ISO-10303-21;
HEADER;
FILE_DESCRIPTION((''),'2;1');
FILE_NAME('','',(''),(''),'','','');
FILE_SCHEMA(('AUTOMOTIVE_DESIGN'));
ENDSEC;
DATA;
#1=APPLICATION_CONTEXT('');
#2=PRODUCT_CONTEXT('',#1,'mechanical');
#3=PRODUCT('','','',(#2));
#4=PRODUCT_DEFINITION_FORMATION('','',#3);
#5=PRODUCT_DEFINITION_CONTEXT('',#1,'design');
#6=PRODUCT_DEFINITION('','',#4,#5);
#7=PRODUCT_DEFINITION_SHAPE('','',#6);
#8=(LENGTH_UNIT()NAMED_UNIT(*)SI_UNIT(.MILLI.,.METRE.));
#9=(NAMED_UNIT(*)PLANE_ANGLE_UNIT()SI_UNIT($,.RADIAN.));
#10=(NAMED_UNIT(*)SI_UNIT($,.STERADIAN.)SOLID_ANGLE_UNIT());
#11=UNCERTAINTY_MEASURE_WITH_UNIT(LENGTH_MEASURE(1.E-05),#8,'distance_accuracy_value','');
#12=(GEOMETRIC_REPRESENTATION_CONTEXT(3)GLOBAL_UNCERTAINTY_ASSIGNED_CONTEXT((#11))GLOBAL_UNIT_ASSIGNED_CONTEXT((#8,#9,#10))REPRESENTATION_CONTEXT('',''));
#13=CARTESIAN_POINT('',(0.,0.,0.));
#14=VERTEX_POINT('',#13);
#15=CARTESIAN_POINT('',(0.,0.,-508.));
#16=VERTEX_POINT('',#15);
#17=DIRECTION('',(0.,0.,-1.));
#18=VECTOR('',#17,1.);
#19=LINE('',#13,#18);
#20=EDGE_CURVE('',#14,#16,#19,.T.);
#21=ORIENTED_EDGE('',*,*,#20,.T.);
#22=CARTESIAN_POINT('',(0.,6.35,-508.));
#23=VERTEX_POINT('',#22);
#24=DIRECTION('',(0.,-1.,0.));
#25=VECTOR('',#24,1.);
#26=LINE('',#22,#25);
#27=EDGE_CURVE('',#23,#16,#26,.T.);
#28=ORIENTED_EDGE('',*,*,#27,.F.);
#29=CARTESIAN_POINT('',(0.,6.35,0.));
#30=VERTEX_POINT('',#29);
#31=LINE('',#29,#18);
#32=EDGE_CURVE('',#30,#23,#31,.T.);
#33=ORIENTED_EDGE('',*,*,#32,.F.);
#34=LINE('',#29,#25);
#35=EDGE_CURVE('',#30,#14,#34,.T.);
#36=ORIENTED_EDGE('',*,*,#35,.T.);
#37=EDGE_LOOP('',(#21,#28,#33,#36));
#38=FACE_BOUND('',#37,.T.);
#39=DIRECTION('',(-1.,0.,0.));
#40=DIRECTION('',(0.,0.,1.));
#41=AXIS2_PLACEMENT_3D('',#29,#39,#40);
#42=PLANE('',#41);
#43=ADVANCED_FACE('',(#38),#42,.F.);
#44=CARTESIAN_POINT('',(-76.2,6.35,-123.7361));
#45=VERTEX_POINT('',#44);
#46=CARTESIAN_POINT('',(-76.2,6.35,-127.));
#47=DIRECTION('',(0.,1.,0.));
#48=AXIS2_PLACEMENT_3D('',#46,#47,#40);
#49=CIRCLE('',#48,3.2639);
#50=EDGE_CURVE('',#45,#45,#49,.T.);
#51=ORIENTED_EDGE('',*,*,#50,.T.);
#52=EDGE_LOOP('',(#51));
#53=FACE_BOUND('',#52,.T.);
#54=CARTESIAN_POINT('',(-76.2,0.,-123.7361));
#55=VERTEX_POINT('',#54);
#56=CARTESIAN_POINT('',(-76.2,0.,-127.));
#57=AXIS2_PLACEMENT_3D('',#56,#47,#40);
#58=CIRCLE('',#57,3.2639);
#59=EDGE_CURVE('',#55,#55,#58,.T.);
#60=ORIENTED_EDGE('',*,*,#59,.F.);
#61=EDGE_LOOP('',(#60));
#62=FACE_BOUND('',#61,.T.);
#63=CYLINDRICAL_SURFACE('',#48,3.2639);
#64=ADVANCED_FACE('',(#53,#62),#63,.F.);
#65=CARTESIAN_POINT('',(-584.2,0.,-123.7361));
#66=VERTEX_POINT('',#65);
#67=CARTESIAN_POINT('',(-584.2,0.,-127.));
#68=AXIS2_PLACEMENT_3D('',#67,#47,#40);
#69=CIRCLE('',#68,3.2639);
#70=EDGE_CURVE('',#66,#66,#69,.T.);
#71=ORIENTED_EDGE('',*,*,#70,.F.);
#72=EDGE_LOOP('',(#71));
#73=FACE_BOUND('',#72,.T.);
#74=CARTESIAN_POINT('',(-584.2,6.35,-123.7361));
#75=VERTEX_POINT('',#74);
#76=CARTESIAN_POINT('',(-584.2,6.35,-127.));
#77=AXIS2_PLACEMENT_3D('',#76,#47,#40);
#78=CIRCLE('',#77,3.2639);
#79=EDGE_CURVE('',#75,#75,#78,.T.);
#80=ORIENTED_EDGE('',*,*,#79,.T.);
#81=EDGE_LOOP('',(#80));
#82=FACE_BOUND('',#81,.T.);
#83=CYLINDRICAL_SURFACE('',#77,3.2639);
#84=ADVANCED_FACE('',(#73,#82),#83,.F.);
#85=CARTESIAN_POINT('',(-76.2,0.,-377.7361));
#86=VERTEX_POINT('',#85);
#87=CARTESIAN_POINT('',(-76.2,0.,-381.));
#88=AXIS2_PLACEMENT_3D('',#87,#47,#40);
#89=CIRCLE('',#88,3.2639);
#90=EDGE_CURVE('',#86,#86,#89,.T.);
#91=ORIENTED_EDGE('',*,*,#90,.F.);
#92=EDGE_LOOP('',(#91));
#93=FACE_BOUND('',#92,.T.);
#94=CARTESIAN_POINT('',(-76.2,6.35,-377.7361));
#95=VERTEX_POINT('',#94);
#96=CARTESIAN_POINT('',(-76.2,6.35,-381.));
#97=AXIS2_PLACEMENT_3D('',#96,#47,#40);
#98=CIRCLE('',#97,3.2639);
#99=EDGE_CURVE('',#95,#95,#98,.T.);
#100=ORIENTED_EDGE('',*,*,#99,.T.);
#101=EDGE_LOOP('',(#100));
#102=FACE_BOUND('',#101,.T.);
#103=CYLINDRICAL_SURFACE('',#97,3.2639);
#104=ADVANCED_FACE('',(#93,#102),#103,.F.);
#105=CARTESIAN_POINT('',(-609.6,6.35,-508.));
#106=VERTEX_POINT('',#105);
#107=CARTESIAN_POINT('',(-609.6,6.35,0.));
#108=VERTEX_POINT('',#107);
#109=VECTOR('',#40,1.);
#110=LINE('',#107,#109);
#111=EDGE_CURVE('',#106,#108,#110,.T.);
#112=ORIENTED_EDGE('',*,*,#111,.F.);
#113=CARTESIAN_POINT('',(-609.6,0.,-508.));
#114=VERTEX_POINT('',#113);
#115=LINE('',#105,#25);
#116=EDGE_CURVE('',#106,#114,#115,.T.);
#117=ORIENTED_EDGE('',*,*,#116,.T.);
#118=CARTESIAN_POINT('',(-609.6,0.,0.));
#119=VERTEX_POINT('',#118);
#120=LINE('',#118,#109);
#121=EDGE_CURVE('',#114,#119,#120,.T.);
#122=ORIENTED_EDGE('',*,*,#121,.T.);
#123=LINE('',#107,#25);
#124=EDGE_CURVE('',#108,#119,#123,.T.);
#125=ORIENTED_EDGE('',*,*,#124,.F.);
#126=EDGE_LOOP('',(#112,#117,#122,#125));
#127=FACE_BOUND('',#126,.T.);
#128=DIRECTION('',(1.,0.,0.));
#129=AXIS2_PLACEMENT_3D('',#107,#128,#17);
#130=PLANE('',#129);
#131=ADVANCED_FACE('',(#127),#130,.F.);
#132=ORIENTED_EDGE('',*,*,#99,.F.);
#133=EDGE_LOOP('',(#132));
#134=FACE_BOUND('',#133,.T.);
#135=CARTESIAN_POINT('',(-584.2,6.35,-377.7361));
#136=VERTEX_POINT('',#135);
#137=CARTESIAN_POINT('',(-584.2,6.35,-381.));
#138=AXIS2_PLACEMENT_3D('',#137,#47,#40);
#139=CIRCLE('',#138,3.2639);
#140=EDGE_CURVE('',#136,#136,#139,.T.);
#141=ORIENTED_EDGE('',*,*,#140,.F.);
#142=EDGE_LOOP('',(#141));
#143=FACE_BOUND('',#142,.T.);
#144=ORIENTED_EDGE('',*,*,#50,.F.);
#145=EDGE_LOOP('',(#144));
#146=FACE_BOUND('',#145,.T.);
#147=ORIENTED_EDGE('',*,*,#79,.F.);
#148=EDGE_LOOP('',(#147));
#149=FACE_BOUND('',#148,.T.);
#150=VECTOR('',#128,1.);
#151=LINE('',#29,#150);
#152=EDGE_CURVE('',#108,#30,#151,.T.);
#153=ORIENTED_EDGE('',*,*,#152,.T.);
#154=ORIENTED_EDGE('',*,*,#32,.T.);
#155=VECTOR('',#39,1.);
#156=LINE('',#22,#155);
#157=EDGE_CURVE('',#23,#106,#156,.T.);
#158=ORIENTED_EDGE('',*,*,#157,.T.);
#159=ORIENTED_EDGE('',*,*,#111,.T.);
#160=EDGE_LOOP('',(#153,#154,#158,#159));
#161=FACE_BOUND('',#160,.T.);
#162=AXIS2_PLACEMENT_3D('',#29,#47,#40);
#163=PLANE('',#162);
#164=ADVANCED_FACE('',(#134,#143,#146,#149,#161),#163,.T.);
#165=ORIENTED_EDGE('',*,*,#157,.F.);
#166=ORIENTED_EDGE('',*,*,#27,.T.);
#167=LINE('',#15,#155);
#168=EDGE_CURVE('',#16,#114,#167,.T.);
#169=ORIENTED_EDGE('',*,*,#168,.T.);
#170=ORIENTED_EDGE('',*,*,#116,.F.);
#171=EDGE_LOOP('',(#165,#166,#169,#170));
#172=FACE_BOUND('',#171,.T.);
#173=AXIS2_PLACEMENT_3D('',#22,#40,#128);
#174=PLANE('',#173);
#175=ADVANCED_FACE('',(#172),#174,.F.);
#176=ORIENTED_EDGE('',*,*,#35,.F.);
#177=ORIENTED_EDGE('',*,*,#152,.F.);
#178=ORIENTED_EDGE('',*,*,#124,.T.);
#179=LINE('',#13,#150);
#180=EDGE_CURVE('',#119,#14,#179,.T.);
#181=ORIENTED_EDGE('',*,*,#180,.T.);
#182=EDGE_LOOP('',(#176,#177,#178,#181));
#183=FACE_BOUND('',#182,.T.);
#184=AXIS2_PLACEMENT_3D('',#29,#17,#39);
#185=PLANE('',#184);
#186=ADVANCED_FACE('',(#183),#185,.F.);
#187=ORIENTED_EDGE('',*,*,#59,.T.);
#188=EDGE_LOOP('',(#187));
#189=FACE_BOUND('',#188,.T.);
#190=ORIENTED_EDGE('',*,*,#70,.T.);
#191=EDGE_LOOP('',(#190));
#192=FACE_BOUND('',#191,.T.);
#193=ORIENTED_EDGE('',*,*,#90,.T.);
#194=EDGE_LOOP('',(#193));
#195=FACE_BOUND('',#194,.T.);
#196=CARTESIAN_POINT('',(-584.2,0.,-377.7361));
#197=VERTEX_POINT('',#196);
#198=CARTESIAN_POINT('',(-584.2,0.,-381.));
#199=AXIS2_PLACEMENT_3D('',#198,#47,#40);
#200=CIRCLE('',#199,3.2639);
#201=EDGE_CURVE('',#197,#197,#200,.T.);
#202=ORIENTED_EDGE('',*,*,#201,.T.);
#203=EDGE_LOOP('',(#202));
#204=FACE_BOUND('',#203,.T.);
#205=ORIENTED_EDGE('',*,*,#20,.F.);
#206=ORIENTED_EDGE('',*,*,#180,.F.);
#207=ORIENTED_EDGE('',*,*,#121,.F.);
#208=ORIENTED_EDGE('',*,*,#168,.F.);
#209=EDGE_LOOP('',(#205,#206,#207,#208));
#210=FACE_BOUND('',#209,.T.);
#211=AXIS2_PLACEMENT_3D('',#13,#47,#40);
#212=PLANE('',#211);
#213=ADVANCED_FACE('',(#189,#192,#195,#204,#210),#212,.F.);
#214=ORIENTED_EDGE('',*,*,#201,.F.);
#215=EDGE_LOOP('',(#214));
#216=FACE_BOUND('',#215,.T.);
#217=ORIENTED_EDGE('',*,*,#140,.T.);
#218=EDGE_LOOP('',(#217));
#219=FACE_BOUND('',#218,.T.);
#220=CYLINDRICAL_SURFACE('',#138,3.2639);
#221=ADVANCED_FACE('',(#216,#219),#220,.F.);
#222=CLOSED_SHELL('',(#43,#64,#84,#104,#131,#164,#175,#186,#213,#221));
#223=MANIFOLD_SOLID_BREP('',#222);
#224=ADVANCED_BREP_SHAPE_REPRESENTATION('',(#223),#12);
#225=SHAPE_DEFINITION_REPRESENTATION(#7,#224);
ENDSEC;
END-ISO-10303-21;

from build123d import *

# Parameters (mm, degrees)
SKETCH1_W                   = 609.6
SKETCH1_H                   = 508
BOSS_EXTRUDE1_DEPTH         = 6.35
F_1_4_CLEARANCE_HOLE1_D     = 6.5278
F_1_4_CLEARANCE_HOLE1_DEPTH = 22.352
F_1_4_CLEARANCE_HOLE1_TIP   = 1.961148974


with BuildPart() as part:
    # Sketch1 → Boss-Extrude1 (new body)
    with BuildSketch(Plane(origin=(0, 0, 0), x_dir=(1, 0, 0), z_dir=(0, 1, 0))):
        with Locations((-304.8, 254)):
            Rectangle(SKETCH1_W, SKETCH1_H)
    extrude(amount=BOSS_EXTRUDE1_DEPTH)

    # 1/4 Clearance Hole1
    with Locations(Plane(origin=(0, 6.35, 0), x_dir=(1, 0, 0), z_dir=(0, 1, 0))):
        with Locations((-76.2, 381), (-76.2, 127), (-584.2, 127), (-584.2, 381)):
            Hole(F_1_4_CLEARANCE_HOLE1_D / 2, depth=F_1_4_CLEARANCE_HOLE1_DEPTH)
            with Locations((0, 0, -(F_1_4_CLEARANCE_HOLE1_DEPTH + F_1_4_CLEARANCE_HOLE1_TIP / 2))):  # 118° drill point
                Cone(0, F_1_4_CLEARANCE_HOLE1_D / 2, F_1_4_CLEARANCE_HOLE1_TIP, mode=Mode.SUBTRACT)


solid = part.part
